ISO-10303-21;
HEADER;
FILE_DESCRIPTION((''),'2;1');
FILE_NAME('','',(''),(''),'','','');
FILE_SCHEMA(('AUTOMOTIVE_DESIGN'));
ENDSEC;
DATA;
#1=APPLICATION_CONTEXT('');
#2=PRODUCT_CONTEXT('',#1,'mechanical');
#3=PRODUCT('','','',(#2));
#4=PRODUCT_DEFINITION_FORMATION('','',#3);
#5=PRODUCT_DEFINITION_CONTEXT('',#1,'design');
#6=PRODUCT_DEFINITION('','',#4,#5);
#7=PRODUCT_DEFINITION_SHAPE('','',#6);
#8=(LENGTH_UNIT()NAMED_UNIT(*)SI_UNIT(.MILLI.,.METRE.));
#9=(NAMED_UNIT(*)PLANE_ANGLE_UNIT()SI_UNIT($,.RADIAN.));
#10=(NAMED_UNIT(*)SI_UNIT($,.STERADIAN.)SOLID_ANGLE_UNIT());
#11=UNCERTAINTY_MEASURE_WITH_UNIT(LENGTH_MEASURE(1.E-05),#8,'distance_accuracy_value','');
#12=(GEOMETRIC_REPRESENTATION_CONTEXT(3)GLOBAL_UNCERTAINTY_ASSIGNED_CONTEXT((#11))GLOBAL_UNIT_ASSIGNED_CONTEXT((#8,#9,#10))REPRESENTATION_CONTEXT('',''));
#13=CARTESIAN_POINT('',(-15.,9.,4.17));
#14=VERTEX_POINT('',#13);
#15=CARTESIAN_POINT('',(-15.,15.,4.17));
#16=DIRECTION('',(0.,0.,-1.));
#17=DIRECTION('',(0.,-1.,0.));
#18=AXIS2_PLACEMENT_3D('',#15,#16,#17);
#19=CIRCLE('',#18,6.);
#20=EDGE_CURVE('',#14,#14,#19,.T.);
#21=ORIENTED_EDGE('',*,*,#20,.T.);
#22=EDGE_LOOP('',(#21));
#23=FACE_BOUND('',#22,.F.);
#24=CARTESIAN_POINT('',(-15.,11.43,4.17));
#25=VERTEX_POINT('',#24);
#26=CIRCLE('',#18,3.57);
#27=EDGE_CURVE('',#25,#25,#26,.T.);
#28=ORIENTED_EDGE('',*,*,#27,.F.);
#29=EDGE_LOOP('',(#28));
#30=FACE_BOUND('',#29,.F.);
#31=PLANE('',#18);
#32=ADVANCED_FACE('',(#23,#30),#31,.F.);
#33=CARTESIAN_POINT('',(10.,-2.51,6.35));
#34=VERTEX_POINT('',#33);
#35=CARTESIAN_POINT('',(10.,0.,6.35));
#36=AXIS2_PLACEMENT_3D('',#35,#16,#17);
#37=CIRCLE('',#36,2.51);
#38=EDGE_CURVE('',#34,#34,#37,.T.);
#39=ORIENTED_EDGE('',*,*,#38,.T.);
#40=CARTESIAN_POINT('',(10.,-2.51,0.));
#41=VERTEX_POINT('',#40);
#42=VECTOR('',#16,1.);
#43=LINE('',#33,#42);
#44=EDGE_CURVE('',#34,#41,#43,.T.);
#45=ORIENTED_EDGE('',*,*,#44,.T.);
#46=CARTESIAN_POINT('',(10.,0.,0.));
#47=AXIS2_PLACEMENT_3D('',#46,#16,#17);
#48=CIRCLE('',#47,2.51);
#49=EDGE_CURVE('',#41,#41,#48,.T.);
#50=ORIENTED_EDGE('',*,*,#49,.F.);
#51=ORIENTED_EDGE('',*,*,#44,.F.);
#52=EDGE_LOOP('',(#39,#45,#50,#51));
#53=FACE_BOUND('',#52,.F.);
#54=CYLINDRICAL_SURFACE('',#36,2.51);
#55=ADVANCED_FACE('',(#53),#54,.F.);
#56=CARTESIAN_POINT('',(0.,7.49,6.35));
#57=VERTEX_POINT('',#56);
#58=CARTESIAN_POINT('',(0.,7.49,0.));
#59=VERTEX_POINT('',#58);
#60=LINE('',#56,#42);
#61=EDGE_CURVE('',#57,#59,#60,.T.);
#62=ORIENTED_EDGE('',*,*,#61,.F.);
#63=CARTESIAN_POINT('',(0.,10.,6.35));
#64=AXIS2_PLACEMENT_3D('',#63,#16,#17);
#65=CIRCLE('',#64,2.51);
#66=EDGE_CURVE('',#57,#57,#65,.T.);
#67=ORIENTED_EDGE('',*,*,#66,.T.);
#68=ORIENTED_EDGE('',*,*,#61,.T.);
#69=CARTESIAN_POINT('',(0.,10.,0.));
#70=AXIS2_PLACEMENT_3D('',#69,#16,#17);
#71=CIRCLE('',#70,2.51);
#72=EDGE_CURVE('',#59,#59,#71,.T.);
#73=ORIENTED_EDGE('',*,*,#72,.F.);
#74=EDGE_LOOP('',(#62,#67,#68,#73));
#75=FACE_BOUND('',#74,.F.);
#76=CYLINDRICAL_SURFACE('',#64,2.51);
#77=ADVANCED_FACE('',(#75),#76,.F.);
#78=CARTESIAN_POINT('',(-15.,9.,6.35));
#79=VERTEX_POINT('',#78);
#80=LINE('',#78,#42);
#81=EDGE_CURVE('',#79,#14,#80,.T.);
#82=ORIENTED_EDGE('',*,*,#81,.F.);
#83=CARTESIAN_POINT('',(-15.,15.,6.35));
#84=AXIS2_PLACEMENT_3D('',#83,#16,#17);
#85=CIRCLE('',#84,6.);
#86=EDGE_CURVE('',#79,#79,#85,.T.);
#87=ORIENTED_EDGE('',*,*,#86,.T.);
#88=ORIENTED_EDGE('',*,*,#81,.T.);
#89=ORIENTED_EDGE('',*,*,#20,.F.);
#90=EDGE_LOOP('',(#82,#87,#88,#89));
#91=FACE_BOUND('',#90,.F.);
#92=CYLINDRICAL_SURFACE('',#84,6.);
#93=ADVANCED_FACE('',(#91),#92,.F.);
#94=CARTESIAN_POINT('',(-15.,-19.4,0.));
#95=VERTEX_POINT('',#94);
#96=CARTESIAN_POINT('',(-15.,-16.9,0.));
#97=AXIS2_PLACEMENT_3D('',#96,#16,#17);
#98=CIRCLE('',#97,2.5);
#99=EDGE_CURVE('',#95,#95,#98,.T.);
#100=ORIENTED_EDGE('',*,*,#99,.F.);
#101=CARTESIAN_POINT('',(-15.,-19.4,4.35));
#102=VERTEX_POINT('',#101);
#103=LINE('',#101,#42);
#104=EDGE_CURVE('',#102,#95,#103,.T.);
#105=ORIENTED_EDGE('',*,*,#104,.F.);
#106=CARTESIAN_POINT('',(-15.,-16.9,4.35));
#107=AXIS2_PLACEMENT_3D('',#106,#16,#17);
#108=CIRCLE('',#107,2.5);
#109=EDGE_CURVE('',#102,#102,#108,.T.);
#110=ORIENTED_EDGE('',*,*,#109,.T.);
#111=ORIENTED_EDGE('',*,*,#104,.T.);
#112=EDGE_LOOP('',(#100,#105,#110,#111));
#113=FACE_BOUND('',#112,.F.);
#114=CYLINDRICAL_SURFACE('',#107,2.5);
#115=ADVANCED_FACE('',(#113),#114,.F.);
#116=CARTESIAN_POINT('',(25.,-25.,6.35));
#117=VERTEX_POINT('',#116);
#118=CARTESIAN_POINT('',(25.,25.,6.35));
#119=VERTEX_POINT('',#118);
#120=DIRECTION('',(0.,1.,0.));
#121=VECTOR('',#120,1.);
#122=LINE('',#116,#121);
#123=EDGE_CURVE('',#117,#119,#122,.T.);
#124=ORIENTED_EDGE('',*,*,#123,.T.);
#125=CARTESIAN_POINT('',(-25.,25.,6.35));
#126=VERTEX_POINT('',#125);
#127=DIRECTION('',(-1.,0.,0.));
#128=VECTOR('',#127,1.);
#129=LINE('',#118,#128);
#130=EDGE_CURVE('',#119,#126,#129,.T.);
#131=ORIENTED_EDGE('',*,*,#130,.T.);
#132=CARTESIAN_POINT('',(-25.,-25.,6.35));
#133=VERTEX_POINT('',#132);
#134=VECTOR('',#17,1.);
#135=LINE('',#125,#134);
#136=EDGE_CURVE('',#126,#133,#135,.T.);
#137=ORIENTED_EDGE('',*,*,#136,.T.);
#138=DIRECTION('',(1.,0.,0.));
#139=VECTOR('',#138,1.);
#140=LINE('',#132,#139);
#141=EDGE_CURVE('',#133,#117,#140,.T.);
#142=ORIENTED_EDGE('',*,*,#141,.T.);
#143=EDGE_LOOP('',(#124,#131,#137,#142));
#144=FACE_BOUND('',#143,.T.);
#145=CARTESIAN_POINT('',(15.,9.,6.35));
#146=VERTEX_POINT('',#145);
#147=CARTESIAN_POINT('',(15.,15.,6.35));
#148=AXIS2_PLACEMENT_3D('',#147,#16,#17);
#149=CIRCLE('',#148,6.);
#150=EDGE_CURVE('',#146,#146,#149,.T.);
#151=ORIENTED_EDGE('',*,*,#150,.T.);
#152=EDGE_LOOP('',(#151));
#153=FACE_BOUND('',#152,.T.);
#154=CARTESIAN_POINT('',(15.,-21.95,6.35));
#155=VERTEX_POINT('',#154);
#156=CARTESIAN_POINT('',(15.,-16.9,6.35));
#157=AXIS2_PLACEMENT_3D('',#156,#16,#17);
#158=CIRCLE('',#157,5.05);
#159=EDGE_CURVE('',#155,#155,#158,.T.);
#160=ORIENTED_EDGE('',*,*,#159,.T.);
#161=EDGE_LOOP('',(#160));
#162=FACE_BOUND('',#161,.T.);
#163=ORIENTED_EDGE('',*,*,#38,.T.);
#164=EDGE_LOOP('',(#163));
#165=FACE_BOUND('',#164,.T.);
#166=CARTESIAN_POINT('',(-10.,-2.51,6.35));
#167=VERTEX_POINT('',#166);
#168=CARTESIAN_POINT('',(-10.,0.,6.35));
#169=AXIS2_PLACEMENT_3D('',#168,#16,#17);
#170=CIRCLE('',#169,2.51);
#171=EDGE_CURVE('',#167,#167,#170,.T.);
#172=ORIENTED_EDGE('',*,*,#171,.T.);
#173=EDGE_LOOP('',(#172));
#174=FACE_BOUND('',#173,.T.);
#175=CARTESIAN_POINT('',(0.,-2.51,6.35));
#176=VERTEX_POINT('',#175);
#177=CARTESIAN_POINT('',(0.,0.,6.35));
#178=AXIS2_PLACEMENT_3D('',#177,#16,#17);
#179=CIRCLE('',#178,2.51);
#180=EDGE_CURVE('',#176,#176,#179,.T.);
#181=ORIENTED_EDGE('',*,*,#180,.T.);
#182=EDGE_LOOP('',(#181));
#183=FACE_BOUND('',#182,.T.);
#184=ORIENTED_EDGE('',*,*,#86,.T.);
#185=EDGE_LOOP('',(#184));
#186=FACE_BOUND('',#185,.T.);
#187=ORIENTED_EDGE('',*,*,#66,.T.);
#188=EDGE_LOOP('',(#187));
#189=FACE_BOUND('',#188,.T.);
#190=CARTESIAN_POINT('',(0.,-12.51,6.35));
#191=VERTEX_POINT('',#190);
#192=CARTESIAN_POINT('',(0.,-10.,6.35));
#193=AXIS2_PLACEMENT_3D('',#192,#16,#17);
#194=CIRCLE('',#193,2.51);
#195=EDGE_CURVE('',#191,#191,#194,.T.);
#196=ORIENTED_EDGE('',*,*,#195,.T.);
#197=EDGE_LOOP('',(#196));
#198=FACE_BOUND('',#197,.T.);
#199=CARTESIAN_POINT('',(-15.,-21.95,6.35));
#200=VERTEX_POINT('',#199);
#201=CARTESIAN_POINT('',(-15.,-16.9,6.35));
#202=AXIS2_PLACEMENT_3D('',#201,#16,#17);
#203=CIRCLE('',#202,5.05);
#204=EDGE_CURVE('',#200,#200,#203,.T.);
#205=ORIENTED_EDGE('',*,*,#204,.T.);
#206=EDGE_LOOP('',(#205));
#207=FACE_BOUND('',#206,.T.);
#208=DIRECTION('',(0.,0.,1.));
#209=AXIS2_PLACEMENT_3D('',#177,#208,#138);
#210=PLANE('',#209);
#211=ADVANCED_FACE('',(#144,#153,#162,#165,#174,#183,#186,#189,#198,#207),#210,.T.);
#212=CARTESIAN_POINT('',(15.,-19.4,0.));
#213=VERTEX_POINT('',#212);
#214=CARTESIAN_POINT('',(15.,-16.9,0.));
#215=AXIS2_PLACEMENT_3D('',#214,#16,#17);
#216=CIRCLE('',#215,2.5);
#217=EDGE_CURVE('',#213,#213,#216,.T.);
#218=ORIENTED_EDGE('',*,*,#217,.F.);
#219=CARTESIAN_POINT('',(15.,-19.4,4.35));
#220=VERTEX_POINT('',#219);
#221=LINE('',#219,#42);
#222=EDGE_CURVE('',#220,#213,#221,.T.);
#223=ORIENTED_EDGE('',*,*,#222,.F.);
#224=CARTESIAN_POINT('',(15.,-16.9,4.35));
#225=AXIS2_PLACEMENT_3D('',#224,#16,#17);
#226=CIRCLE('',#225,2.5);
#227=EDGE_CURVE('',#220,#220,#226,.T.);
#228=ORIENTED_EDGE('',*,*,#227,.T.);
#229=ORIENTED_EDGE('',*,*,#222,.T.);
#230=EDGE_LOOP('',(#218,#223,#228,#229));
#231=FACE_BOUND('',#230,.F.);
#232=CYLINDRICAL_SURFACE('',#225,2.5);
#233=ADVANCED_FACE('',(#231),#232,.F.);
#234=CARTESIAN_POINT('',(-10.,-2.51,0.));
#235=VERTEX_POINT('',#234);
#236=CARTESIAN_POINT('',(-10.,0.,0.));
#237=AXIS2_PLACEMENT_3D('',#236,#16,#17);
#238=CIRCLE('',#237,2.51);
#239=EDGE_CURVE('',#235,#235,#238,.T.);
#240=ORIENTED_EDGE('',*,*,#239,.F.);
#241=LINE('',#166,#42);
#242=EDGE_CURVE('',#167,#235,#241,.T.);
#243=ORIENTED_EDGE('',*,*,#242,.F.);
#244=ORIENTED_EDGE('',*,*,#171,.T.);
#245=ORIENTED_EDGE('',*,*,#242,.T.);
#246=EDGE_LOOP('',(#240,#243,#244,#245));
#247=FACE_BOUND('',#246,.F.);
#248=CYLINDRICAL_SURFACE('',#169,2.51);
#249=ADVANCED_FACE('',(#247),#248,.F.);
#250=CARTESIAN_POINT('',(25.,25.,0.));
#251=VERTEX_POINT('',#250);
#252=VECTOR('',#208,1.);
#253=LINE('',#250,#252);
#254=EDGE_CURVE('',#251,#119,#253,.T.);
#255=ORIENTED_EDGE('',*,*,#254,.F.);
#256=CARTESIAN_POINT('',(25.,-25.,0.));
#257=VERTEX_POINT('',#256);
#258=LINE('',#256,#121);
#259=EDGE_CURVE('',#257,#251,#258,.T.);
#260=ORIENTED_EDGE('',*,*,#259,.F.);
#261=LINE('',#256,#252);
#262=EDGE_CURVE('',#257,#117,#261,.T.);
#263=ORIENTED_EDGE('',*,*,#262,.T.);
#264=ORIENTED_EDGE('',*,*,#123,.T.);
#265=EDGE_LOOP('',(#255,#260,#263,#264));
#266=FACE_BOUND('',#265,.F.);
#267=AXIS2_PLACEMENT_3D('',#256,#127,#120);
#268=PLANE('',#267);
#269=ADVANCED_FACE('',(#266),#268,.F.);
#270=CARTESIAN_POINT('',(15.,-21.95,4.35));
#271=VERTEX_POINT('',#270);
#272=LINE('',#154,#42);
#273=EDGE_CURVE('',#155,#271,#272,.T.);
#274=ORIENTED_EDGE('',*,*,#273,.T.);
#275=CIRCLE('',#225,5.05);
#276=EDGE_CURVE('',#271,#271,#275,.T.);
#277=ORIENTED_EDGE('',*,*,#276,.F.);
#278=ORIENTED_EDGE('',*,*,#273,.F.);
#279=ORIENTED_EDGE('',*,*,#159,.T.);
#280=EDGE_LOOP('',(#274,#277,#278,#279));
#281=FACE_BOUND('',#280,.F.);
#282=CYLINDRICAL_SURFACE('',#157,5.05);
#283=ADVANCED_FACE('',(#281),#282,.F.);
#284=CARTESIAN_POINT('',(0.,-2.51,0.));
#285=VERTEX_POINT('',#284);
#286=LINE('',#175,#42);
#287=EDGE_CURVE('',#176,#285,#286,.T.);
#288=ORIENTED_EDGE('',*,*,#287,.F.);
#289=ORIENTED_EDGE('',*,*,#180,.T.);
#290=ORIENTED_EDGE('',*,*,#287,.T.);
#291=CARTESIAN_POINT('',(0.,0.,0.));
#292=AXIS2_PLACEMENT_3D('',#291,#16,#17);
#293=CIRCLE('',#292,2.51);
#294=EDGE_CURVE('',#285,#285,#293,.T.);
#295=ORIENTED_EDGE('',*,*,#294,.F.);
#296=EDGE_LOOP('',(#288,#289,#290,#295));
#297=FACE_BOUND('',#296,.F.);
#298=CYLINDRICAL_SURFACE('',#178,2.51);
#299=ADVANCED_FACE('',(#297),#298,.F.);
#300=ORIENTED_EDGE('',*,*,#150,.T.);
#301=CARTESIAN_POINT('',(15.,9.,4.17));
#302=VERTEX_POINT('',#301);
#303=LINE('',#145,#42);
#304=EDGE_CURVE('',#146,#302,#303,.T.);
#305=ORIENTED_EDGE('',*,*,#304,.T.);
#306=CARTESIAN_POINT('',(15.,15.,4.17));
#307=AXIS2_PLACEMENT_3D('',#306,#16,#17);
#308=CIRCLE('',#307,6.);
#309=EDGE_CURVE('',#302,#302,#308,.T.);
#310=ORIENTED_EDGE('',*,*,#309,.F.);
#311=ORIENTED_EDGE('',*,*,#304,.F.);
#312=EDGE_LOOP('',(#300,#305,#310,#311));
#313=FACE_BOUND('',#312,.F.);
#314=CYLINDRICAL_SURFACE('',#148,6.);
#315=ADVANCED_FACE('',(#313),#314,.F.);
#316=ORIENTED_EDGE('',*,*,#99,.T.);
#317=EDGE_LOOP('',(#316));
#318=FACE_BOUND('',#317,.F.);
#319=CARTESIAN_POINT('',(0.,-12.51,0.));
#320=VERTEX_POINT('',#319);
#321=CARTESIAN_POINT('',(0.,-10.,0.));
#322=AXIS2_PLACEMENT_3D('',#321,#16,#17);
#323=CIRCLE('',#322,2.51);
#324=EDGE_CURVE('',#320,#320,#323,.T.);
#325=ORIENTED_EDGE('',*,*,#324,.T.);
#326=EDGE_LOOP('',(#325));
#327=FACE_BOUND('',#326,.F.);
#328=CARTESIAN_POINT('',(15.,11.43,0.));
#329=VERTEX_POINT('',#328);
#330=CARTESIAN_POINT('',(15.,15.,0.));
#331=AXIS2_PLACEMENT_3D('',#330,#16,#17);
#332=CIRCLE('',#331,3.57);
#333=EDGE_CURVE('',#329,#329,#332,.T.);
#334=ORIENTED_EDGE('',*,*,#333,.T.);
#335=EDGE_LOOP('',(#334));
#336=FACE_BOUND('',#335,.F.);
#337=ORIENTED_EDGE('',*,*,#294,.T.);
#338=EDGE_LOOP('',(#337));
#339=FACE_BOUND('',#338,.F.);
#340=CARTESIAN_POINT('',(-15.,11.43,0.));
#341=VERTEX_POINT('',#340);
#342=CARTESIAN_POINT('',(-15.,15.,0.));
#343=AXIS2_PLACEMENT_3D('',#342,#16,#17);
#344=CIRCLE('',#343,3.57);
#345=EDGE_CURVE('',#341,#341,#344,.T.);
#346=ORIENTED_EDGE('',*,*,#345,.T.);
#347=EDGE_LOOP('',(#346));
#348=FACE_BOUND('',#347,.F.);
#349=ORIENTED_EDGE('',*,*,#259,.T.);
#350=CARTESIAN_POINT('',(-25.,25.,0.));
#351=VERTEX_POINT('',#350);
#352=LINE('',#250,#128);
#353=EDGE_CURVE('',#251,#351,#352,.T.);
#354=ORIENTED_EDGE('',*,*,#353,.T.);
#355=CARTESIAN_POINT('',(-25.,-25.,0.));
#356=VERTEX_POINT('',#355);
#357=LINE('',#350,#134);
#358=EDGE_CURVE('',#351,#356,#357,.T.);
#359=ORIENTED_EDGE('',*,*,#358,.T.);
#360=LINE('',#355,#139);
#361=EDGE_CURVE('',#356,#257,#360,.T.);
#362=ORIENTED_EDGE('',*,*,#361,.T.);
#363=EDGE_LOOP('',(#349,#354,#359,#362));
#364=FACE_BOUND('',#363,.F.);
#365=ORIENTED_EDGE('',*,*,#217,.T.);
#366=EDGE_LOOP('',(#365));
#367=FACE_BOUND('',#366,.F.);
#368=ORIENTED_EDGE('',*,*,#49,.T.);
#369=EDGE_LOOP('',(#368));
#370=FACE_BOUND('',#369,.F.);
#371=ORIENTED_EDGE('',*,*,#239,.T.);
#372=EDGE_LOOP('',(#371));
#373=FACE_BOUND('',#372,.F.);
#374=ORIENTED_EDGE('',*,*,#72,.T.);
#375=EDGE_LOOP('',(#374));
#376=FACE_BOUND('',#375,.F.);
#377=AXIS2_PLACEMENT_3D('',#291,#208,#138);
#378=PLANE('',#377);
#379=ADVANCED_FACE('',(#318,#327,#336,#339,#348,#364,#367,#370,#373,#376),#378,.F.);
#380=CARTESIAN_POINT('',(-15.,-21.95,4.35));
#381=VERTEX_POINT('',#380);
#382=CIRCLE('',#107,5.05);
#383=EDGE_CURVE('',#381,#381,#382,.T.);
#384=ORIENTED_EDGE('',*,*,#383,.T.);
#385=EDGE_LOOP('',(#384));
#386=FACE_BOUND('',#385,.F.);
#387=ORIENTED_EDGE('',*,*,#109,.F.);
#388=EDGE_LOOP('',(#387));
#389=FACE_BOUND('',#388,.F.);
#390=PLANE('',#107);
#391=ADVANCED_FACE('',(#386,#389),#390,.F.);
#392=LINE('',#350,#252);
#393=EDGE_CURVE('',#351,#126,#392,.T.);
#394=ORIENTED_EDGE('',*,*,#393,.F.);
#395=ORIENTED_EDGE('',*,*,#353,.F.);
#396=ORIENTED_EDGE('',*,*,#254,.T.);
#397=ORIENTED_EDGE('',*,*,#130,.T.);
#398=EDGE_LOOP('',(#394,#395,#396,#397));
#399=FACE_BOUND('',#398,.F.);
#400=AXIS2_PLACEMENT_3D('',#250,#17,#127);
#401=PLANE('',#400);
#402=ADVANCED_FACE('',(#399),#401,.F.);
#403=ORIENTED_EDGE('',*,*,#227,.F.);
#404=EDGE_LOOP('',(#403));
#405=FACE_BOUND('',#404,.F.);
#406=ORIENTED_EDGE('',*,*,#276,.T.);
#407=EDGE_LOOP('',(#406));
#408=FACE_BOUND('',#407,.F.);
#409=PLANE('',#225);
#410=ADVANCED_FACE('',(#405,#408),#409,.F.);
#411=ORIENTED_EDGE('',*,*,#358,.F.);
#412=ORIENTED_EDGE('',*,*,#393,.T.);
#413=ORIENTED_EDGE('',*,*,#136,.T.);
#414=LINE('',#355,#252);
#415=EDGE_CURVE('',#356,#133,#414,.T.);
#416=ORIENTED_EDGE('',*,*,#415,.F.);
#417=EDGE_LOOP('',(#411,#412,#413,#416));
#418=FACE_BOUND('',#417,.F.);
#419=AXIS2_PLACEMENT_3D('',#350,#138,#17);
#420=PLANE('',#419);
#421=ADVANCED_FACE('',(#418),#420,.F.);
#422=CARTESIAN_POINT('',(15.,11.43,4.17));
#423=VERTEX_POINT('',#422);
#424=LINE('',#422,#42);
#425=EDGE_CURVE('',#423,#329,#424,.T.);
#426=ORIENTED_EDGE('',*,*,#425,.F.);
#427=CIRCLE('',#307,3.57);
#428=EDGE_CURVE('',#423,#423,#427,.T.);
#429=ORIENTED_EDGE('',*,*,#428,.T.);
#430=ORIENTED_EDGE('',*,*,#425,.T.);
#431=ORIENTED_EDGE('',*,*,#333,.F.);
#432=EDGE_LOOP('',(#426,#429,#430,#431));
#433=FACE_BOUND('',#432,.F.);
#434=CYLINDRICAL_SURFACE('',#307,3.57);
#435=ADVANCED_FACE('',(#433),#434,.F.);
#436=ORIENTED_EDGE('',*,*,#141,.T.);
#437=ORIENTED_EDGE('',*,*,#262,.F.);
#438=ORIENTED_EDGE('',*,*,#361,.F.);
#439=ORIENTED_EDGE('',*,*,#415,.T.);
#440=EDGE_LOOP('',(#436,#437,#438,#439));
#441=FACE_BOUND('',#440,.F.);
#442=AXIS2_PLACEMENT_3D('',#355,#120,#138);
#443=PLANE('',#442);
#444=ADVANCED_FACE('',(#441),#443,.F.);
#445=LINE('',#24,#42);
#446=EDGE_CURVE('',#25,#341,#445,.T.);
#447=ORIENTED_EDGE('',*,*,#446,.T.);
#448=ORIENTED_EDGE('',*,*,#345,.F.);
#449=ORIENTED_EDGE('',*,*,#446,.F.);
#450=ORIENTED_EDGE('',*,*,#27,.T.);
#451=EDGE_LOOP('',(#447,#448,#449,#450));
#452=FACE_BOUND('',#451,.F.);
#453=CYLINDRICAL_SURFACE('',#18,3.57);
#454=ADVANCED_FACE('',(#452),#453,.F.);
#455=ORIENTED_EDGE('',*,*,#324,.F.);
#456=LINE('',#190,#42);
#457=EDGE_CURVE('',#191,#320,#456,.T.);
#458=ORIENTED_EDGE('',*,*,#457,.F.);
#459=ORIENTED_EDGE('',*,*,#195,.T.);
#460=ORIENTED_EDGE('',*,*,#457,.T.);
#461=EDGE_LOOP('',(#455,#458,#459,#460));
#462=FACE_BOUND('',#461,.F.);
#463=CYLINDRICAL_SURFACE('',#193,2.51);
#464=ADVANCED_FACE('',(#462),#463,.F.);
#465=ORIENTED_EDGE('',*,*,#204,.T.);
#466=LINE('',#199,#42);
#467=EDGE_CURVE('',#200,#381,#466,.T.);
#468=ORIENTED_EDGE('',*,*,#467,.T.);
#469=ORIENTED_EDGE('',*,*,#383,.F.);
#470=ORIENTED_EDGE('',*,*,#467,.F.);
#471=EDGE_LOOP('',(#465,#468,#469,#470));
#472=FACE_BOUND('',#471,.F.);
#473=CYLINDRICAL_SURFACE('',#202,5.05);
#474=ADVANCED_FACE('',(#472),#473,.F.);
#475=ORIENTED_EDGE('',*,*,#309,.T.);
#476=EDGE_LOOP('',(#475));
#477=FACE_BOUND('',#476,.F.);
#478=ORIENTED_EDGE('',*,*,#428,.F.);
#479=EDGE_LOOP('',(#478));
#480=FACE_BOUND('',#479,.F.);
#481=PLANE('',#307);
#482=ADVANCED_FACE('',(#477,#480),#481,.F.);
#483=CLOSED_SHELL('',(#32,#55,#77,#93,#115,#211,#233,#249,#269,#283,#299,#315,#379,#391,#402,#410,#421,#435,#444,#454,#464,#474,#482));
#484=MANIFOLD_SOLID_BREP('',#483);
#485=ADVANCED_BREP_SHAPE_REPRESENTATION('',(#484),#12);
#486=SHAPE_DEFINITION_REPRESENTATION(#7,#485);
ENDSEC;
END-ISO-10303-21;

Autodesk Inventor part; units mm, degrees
ref_plane "Work Plane1" through (0, -18.83, 0) normal (-1, 0, 0) x (0, 0, 1)
ref_plane "YZ Plane" through (0, 0, 0) normal (1, 0, 0) x (0, 1, 0)
ref_plane "XZ Plane" through (0, 0, 0) normal (0, 1, 0) x (-1, 0, 0)
sketch "Sketch1" plane through (0, 0, 0) normal (0, 0, 1) x (1, 0, 0)
  line L0 (-25, -25) -> (25, -25)
  line L1 (25, -25) -> (25, 25)
  line L2 (25, 25) -> (-25, 25)
  line L3 (-25, 25) -> (-25, -25)
  line L4 (-25, -25) -> (25, 25) construction
  line L5 (25, -25) -> (-25, 25) construction
  point P0 (0, 0)
  dimension "Width" = 50
  dimension "Height" = 50
extrude "Extrusion1" add sketch "Sketch1" along normal blind 6.35
sketch "Sketch2" plane through (0, 0, 6.35) normal (0, 0, 1) x (1, 0, 0)
  line L0 (-25, -25) -> (25, -25) projected
  line L1 (25, -25) -> (25, 25) projected
  line L2 (25, 25) -> (-25, 25) projected
  line L3 (-25, 25) -> (-25, -25) projected
  line L4 (0, 25) -> (0, -25) construction
  line L5 (-25, 0) -> (25, 0) construction
  point P0 (0, 0)
  point P1 (0, 0)
  point P2 (-10, 0)
  point P3 (0, 10)
  point P4 (0, -10)
  point P5 (10, 0)
  dimension "d4" = 10
  dimension "d5" = 10
  dimension "d6" = 10
  dimension "d7" = 10
hole "Hole1" at (0, 0, 6.35) at (-10, 0, 6.35) at (0, 10, 6.35) at (0, -10, 6.35) at (10, 0, 6.35) direction (0, 0, -1) diameter 5.02 end through all
sketch "Sketch3" plane through (0, 0, 6.35) normal (0, 0, 1) x (1, 0, 0)
  line L0 (-25, -25) -> (25, -25) projected
  line L1 (25, -25) -> (25, 25) projected
  line L2 (25, 25) -> (-25, 25) projected
  line L3 (-25, 25) -> (-25, -25) projected
  line L4 (0, 25) -> (0, -25) construction
  line L5 (25, 0) -> (-25, 0) construction
  line L6 (15, 25) -> (15, -25) construction
  line L7 (-25, -15) -> (25, -15) construction
  point P0 (15, 15)
  point P1 (-15, 15)
  dimension "d15" = 15
  dimension "d16" = 15
hole "Hole2" at (-15, 15, 6.35) at (15, 15, 6.35) direction (0, 0, -1) diameter 7.14 end through all counterbore diameter 12 counterbore depth 2.18
sketch "Sketch6" plane through (0, 0, 6.35) normal (0, 0, 1) x (1, 0, 0)
  circle A0 centre (-15, 15) radius 6 projected
  circle A1 centre (15, 15) radius 6 projected
  circle A2 centre (0, -10) radius 2.51 projected
  circle A3 centre (-10, 0) radius 2.51 projected
  circle A4 centre (0, 0) radius 2.51 projected
  circle A5 centre (0, 10) radius 2.51 projected
  circle A6 centre (10, 0) radius 2.51 projected
  line L0 (-25, -25) -> (25, -25) projected
  line L1 (25, -25) -> (25, 25) projected
  line L2 (25, 25) -> (-25, 25) projected
  line L3 (-25, 25) -> (-25, -25) projected
sketch "Sketch7" plane through (0, 0, 6.35) normal (0, 0, 1) x (1, 0, 0)
  circle A0 centre (-15, 15) radius 6 projected
  circle A1 centre (15, 15) radius 6 projected
  line L0 (-25, -25) -> (25, -25) projected
  line L1 (25, -25) -> (25, 25) projected
  line L2 (-25, 25) -> (-25, -25) projected
  line L3 (15, 15) -> (15, -25) construction
  line L4 (25, -16.9) -> (-25, -16.9) construction
  line L5 (-15, 15) -> (-15, -16.9) construction
  point P0 (15, -16.9)
  dimension "d35" = 31.9
hole "Hole3" at (-15, -16.9, 6.35) at (15, -16.9, 6.35) direction (0, 0, -1) diameter 5 end through all counterbore diameter 10.1 counterbore depth 2
sketch "Sketch4" plane through (0, 0, 6.35) normal (0, 0, 1) x (1, 0, 0)
  line L0 (25, -18.83) -> (25, 18.83) projected
  line L1 (-25, 18.83) -> (-25, -18.83) projected
  line L2 (-25, 0) -> (25, 0) construction
  line L3 (-22.25, 3.35) -> (-19.75, 3.35)
  line L4 (-19.75, 3.35) -> (-19.75, -3.35)
  line L5 (-19.75, -3.35) -> (-22.25, -3.35)
  line L6 (-22.25, -3.35) -> (-22.25, 3.35)
  line L7 (-22.25, 3.35) -> (-19.75, -3.35) construction
  line L8 (-19.75, 3.35) -> (-22.25, -3.35) construction
  point P0 (-21, 0)
  dimension "d25" = 2.5
  dimension "d27" = 5.25
  dimension "d28" = 6.7
sketch "Sketch5" plane through (-25, -18.83, 0) normal (-1, 0, 0) x (0, 0, 1)
  line L0 (6.35, 37.66) -> (6.35, 0) projected
  line L1 (0, 15.48) -> (0, 22.18) projected
  line L2 (6.35, 22.18) -> (0, 22.18) projected
  line L3 (6.35, 15.48) -> (0, 15.48) projected
  line L4 (6.35, 22.18) -> (4.17, 22.18)
  line L5 (4.17, 22.18) -> (4.17, 15.48)
  line L6 (4.17, 15.48) -> (6.35, 15.48)
  line L7 (6.35, 15.48) -> (6.35, 22.18)
  point P0 (0, 18.83)
  dimension "d31" = 2.18
properties part number "Micro V Plate" material "Aluminum 6061"
